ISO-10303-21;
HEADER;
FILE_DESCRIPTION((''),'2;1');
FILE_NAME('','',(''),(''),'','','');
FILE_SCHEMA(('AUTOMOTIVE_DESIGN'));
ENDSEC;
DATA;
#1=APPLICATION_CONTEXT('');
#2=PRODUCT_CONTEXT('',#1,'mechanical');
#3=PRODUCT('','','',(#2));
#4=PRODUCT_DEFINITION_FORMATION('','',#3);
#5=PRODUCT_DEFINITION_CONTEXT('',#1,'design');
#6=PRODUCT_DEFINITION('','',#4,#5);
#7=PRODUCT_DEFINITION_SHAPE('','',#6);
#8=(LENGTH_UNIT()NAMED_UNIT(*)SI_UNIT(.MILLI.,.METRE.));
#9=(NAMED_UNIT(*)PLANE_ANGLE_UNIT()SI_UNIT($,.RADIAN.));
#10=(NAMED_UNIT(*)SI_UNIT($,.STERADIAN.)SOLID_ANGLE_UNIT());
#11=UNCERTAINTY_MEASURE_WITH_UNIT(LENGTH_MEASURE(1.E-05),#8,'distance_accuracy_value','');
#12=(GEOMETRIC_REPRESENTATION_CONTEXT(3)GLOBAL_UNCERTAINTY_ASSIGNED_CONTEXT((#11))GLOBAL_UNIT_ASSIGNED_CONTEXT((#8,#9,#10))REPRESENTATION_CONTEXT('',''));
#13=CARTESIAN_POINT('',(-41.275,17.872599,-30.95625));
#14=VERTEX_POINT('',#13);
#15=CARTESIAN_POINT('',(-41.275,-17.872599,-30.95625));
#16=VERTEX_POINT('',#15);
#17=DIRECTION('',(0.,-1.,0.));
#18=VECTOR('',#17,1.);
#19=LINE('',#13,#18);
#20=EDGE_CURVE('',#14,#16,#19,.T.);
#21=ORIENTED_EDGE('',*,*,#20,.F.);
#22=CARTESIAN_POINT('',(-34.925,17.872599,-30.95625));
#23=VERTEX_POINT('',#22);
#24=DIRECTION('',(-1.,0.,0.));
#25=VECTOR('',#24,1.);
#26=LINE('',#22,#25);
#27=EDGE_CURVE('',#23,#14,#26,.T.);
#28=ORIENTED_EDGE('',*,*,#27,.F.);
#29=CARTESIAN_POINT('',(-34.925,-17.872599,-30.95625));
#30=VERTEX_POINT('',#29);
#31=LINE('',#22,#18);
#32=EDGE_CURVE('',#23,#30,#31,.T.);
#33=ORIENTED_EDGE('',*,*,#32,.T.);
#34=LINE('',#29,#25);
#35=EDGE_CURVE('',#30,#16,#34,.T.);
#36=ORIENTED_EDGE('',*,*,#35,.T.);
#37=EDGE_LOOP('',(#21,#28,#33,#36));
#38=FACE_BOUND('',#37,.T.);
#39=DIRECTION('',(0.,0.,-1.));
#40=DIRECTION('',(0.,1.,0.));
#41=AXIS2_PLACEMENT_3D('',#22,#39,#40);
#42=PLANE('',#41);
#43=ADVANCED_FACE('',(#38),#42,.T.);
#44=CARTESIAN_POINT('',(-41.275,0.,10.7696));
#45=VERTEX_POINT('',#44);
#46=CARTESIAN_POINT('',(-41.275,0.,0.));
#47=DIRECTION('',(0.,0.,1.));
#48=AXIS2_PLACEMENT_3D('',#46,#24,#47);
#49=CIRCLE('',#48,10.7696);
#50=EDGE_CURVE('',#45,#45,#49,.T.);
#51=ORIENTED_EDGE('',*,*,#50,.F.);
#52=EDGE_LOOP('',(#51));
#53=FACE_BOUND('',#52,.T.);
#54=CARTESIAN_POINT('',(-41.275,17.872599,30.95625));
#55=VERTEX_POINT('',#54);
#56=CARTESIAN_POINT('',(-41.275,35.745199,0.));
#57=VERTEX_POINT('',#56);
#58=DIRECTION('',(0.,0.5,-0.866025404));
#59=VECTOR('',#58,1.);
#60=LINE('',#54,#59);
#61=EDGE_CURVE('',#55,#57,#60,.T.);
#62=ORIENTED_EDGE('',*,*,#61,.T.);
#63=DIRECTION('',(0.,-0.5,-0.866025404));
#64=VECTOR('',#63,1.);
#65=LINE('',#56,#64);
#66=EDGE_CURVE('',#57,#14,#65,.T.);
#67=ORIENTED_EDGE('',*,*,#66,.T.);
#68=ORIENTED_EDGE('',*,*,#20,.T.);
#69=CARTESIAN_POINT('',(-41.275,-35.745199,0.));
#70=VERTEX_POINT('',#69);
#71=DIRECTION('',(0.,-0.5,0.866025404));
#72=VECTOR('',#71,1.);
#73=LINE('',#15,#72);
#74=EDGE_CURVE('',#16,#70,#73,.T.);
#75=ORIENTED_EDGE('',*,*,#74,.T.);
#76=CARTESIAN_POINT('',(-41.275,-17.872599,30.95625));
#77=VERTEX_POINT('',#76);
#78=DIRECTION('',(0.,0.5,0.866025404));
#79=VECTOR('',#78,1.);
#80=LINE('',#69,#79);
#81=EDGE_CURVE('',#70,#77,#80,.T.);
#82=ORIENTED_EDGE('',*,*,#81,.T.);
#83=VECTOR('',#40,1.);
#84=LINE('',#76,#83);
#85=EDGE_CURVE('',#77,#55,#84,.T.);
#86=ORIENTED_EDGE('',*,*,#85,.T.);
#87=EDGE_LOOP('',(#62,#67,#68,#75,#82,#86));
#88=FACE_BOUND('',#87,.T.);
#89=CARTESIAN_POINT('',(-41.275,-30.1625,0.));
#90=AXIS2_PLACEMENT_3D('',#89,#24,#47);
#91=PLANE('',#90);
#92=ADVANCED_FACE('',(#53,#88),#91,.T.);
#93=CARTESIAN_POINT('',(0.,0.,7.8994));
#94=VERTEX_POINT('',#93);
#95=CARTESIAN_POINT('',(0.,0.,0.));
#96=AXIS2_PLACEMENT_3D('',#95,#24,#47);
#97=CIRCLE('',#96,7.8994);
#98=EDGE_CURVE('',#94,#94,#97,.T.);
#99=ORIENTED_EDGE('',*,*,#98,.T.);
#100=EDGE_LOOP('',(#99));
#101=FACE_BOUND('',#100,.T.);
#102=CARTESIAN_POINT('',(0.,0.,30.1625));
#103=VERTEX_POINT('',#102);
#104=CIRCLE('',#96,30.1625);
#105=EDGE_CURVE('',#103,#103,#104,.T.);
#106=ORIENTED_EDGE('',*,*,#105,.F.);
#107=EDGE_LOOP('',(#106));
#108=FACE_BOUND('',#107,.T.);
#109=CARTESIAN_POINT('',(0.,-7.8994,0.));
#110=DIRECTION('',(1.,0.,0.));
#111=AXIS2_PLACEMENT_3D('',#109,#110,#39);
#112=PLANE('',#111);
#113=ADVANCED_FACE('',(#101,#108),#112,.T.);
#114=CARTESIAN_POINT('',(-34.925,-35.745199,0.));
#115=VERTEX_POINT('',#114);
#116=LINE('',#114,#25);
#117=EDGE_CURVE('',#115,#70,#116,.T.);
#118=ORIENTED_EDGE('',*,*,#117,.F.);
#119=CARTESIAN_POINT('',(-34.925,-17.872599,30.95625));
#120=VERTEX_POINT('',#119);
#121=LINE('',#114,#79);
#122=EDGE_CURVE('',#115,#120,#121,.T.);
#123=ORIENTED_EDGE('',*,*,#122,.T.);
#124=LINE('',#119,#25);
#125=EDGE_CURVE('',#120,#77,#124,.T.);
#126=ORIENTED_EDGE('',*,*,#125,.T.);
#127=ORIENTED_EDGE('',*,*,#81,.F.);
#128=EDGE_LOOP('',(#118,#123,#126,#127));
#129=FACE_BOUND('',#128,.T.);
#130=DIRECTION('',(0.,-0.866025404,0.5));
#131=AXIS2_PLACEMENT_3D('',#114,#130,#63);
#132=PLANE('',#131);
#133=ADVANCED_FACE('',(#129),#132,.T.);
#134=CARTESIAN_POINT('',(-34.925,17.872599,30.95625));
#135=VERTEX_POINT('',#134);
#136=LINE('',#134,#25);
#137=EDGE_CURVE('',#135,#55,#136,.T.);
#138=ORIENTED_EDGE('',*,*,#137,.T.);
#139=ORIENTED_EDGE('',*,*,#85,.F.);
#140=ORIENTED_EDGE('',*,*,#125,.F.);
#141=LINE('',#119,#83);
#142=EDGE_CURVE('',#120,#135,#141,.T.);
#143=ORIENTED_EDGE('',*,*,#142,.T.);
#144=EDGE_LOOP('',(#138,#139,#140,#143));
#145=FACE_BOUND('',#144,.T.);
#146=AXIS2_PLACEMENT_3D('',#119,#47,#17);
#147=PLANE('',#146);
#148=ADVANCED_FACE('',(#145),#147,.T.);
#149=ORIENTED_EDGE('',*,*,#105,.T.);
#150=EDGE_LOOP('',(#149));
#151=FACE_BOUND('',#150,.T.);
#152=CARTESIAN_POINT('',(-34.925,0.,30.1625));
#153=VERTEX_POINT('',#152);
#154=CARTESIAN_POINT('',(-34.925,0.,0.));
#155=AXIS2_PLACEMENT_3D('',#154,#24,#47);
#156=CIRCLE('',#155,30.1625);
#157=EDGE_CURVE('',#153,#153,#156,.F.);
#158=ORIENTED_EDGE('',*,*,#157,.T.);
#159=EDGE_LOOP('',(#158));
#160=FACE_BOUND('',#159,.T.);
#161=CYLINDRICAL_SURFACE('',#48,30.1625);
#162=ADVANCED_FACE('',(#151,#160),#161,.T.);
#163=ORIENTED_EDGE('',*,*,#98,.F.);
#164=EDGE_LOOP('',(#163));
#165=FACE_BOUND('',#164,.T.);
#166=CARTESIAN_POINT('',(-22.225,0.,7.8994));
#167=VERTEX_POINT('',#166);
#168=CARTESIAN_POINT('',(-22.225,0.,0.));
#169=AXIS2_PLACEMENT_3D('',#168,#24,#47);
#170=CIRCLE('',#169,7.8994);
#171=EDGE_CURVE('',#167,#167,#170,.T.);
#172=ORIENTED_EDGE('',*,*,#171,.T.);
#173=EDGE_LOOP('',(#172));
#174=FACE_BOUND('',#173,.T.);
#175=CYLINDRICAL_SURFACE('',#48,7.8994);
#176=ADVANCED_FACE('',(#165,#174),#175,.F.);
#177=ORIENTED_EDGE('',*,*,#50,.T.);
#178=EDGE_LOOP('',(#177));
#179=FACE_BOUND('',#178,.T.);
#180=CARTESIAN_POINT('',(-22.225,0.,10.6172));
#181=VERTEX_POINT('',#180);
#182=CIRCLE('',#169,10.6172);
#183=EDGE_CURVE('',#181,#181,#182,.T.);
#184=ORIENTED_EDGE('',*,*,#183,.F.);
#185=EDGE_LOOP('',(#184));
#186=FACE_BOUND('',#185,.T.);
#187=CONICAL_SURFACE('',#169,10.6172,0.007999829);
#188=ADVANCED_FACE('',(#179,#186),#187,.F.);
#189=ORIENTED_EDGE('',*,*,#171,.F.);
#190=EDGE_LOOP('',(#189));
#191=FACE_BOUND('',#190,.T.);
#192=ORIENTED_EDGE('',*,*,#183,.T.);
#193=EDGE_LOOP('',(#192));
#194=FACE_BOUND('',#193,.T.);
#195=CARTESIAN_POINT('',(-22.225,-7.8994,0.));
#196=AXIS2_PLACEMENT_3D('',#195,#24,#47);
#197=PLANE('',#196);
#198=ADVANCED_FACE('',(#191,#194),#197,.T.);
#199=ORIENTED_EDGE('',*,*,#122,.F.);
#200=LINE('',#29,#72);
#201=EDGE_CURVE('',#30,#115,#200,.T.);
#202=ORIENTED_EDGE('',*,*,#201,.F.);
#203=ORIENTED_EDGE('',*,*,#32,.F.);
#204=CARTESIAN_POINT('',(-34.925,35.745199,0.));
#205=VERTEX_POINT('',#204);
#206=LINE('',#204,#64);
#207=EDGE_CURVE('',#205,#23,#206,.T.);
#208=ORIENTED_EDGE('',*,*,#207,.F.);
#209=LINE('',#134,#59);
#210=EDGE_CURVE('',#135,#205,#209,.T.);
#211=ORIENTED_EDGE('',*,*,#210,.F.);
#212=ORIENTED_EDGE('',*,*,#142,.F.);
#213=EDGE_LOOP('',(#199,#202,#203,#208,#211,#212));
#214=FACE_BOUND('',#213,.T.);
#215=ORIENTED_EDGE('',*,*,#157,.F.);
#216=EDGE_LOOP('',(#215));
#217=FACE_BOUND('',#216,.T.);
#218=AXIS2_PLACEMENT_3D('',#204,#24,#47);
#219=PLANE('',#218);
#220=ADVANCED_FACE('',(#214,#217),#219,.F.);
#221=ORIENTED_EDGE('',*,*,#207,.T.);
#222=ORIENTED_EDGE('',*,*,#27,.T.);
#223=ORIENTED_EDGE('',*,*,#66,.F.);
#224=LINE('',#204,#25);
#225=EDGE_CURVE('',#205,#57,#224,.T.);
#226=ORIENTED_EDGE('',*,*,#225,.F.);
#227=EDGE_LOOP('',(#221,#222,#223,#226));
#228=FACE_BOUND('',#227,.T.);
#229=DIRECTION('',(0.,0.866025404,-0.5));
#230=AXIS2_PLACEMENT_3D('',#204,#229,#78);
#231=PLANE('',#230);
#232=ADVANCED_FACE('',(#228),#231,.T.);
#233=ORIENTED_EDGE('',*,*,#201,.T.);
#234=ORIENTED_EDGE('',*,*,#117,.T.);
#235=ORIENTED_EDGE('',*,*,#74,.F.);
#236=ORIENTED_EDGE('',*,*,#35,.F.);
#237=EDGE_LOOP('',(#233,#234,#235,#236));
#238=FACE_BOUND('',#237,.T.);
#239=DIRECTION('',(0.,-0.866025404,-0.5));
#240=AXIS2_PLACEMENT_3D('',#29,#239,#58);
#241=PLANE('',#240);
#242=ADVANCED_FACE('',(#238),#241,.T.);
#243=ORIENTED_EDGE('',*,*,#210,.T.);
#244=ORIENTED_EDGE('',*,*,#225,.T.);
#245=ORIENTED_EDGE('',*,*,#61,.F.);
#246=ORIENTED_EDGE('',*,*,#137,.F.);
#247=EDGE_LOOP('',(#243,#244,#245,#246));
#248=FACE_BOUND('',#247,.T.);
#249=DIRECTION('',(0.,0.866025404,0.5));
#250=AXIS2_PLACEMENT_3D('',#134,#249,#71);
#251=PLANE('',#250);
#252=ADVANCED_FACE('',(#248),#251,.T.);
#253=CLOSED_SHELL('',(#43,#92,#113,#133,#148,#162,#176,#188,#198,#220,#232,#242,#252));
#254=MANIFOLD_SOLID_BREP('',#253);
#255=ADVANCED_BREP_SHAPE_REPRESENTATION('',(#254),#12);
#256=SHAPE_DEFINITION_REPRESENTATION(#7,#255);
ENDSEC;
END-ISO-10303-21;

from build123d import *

# Parameters (mm, degrees)
SKETCH2_R           = 10.7696
BOSS_EXTRUDE1_DEPTH = 6.35


with BuildPart() as part:
    # Sketch1 → Revolve1 (revolve)
    with BuildSketch(Plane.XY):
        Polygon((-41.275, -30.1625), (0, -30.1625), (0, -7.8994), (-22.225, -7.8994), (-22.225, -10.6172), (-41.275, -10.7696), align=None)
    revolve(axis=Axis((-41.275, 0, 0), (1, 0, 0)))

    # Sketch2 → Boss-Extrude1 (add)
    with BuildSketch(Plane.ZY.offset(41.275)):
        Polygon((0, 35.745198541), (-30.95625, 17.872599271), (-30.95625, -17.872599271), (0, -35.745198541), (30.95625, -17.872599271), (30.95625, 17.872599271), align=None)
        Circle(SKETCH2_R, mode=Mode.SUBTRACT)
    extrude(amount=-BOSS_EXTRUDE1_DEPTH)


solid = part.part
